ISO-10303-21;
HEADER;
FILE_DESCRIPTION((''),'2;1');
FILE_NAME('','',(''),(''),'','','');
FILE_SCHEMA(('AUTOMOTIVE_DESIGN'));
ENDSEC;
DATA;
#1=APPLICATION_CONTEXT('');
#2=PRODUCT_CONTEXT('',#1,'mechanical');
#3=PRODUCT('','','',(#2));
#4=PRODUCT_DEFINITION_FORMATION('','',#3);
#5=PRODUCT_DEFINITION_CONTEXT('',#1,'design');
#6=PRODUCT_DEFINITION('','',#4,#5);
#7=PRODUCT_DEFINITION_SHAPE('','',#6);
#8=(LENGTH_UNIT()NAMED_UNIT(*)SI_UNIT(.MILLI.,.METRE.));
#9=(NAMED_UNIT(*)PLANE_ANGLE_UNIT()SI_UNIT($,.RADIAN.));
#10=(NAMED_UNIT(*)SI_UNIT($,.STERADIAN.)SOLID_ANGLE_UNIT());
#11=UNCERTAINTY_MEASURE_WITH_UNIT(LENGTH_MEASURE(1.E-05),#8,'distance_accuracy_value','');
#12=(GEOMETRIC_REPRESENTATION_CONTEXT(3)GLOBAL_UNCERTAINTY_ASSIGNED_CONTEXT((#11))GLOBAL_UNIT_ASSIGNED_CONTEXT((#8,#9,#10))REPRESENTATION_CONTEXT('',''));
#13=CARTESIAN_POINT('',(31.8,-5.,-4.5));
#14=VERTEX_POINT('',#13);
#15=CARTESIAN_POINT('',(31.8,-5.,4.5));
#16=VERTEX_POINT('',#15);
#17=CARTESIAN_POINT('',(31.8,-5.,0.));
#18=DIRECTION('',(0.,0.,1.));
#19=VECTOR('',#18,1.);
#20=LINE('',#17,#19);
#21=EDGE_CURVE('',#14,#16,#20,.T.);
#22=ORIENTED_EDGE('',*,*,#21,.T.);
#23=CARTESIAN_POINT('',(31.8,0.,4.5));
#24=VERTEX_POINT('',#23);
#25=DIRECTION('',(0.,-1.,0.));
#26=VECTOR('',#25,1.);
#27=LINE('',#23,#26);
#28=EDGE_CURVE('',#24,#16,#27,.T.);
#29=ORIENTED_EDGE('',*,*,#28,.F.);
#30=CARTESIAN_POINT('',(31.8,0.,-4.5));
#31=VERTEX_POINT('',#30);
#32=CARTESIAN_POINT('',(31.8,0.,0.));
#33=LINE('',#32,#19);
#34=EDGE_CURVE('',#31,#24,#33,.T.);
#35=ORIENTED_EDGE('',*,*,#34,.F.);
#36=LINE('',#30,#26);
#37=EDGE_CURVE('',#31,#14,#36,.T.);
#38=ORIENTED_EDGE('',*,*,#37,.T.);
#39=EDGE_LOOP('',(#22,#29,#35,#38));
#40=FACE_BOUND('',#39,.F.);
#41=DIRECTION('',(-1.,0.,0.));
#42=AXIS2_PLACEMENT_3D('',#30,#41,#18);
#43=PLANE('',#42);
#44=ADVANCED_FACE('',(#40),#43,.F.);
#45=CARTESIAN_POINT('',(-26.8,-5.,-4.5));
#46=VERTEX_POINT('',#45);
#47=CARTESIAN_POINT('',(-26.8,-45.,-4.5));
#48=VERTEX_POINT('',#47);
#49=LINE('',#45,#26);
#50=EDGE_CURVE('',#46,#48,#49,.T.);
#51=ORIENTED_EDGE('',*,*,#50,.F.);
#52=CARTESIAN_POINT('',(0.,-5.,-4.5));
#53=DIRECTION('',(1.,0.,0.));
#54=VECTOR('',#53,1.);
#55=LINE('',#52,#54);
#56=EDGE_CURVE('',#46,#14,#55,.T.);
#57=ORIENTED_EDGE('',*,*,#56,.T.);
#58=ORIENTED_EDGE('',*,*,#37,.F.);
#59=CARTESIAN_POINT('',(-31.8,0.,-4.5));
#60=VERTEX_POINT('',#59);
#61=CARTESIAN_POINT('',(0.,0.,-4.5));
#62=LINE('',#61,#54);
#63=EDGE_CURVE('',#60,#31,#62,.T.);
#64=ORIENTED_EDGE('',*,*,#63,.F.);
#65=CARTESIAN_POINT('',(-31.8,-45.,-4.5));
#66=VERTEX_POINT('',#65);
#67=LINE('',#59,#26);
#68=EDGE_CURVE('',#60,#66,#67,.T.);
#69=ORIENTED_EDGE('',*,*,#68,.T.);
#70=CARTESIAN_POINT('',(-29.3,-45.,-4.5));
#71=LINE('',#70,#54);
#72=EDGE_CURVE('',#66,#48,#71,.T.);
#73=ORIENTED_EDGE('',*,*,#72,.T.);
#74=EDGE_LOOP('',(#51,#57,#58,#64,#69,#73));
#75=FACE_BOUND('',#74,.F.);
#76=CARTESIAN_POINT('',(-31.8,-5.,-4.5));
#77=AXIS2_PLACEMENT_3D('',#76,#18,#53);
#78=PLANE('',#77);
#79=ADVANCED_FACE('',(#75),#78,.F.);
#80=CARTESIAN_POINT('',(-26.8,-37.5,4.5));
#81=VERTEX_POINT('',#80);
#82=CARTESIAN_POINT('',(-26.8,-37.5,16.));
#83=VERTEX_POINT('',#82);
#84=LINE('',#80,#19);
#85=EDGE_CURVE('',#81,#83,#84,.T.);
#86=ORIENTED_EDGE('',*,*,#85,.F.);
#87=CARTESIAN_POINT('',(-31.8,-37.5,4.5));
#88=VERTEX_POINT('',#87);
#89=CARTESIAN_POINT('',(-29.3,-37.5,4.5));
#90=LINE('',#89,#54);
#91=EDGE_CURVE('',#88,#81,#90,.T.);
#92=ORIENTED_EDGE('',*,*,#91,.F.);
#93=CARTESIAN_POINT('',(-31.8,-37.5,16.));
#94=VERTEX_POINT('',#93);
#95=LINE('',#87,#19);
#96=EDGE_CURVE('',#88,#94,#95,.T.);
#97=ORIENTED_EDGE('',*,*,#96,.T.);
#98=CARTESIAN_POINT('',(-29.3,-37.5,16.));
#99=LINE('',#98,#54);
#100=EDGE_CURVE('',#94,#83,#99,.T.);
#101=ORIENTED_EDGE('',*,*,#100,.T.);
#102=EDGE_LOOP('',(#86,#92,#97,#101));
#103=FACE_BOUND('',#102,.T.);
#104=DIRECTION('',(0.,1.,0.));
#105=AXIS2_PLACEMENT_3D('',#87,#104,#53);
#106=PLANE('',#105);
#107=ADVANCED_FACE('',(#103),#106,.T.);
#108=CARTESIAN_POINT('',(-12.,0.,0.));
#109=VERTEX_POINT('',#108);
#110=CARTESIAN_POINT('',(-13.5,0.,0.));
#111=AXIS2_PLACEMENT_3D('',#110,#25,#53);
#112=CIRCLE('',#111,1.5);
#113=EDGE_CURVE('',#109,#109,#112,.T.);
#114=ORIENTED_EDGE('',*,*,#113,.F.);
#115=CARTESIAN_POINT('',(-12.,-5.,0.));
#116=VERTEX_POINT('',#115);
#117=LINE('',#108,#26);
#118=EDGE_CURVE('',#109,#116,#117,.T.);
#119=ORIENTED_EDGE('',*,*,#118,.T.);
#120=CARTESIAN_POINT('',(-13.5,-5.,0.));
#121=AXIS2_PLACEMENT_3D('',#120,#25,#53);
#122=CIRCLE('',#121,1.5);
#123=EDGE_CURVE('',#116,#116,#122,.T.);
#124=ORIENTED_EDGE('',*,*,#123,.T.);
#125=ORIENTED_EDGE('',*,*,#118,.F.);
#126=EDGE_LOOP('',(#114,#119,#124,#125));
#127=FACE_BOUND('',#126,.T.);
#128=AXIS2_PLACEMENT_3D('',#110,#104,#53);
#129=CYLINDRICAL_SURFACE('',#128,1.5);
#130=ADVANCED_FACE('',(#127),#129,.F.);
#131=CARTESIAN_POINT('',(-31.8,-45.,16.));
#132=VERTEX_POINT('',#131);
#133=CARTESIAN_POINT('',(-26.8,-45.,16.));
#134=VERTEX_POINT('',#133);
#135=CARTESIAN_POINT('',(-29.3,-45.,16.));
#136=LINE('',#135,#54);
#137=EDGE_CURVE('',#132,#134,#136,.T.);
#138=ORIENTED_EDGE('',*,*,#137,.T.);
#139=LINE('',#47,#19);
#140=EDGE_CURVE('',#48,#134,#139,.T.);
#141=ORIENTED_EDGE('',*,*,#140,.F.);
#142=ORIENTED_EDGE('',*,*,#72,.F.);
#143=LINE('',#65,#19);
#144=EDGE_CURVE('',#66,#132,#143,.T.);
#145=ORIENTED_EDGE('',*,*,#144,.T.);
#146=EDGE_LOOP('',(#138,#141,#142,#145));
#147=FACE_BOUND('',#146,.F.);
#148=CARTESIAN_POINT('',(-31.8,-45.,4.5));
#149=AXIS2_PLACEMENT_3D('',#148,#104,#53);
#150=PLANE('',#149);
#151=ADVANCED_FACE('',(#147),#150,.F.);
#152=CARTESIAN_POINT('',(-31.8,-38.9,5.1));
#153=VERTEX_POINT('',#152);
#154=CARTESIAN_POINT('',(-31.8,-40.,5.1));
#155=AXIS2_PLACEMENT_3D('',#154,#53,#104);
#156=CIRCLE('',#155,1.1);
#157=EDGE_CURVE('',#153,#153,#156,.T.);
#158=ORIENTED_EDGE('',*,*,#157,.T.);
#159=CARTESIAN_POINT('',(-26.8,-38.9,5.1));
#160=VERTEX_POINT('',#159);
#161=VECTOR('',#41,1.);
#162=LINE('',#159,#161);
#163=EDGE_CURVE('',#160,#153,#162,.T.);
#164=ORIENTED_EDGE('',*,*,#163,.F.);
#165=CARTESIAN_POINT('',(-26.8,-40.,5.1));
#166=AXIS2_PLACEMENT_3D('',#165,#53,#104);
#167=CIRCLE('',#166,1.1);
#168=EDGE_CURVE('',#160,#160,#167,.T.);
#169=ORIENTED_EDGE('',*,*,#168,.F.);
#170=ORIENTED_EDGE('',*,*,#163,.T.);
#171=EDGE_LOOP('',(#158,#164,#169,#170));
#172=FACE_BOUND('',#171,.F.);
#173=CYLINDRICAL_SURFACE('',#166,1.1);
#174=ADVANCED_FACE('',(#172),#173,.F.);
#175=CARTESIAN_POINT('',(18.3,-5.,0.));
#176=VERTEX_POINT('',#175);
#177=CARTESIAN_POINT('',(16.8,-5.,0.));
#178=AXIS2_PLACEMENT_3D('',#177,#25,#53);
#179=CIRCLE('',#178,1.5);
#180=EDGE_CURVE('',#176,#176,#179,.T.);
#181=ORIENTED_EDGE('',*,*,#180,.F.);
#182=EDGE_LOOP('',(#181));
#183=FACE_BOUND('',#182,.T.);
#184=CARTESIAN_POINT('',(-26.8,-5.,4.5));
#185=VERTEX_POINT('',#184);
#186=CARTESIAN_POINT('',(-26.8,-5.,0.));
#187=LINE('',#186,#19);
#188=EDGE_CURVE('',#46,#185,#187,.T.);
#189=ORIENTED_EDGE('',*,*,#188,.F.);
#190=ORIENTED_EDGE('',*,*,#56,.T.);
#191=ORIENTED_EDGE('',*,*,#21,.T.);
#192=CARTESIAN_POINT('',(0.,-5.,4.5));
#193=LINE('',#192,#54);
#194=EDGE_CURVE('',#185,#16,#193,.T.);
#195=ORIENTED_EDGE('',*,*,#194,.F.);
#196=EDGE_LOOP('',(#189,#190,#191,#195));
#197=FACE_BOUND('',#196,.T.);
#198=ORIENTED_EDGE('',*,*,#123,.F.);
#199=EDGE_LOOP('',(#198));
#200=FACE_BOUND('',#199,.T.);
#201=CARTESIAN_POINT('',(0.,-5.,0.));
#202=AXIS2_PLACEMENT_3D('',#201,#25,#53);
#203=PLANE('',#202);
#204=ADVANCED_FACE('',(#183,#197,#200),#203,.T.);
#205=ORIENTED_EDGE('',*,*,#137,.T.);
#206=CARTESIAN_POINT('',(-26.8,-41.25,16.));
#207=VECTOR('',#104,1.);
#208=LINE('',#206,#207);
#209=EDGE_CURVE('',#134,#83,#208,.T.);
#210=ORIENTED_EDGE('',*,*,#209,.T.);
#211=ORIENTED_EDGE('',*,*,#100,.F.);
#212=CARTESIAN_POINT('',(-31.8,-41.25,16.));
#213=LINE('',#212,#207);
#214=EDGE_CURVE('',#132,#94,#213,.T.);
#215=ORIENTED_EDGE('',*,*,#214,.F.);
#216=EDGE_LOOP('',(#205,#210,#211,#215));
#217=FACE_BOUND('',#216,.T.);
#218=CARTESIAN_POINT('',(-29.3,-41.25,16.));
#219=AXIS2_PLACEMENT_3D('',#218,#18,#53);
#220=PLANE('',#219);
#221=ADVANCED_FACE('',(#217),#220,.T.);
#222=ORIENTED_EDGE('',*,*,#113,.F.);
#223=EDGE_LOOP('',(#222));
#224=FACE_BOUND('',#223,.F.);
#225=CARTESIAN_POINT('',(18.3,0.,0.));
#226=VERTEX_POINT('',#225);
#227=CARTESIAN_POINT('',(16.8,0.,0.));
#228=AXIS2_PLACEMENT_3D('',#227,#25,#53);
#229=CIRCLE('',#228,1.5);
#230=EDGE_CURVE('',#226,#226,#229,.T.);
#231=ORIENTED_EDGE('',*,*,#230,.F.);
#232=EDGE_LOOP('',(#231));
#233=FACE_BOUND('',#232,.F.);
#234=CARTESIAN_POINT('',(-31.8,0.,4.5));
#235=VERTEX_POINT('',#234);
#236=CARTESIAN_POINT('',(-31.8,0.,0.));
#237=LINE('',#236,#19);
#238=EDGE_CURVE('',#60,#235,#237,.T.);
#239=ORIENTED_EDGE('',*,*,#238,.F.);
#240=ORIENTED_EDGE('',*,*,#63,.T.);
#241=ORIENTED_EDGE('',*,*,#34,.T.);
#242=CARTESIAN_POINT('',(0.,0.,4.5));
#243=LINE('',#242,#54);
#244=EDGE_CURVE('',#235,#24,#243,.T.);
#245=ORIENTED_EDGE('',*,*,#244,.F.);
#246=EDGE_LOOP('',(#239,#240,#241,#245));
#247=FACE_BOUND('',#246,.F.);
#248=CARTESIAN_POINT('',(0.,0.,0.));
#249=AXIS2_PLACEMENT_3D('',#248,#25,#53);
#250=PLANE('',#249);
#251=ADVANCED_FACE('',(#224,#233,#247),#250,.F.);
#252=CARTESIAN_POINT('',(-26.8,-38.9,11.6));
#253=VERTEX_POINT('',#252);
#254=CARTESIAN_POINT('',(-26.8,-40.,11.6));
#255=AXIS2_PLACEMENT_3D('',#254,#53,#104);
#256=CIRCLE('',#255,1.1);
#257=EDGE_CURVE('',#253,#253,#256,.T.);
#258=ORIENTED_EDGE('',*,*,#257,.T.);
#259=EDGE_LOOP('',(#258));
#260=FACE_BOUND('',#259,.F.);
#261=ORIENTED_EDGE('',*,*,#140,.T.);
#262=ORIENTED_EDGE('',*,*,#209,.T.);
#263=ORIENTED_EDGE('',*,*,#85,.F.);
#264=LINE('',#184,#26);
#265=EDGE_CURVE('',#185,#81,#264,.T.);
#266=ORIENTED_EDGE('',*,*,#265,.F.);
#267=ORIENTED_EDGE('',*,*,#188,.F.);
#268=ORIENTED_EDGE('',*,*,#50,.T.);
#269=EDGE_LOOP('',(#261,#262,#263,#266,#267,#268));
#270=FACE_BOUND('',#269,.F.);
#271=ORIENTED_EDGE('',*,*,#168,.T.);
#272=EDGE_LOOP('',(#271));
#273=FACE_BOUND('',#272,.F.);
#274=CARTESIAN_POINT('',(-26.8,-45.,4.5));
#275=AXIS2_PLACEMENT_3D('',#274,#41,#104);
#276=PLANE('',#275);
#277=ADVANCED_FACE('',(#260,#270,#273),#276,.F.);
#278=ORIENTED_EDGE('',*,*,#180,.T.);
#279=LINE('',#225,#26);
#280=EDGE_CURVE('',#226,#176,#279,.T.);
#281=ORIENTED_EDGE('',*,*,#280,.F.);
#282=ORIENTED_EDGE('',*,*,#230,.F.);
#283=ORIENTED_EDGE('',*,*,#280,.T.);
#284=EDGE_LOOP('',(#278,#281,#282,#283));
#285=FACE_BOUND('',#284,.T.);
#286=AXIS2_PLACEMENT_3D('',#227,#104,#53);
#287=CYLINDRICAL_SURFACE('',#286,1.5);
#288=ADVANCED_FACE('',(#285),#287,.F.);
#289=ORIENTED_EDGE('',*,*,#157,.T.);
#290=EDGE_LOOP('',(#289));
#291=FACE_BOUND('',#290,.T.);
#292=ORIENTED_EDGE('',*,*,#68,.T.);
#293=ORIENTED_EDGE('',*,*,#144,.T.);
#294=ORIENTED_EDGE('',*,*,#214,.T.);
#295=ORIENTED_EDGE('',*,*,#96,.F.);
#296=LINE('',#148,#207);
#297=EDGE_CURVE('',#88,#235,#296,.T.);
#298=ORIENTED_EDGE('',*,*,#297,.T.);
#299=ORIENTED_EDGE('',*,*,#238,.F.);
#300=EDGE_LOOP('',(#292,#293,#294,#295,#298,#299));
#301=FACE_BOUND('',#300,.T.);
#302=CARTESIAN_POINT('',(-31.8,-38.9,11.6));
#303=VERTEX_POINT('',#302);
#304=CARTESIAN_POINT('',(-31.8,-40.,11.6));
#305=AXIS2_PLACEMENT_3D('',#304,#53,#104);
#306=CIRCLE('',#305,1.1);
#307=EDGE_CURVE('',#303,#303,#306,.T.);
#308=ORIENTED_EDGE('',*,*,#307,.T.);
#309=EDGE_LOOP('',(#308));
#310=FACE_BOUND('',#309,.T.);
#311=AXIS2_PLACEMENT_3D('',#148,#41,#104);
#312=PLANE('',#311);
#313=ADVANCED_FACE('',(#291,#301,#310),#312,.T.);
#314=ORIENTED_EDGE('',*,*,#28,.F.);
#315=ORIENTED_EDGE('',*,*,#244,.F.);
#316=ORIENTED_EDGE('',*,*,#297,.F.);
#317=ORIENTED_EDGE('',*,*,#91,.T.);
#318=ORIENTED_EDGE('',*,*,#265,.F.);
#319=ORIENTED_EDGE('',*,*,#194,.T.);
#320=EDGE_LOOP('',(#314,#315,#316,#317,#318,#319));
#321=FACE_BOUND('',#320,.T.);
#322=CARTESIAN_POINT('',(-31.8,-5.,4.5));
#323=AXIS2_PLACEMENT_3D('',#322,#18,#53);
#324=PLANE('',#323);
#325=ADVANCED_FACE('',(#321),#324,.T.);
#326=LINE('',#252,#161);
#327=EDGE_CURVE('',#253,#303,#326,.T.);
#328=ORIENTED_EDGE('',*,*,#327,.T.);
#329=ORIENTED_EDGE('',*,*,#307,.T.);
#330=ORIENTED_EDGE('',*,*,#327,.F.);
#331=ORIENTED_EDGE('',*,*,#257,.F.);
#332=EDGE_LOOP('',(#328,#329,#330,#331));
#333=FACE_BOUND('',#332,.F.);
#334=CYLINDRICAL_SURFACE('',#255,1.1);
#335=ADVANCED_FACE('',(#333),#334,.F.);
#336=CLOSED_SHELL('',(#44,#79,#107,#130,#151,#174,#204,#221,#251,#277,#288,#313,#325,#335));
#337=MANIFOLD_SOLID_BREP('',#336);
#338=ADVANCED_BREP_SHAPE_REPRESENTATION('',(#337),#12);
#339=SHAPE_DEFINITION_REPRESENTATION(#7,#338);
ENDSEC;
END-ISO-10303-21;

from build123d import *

# Parameters (mm, degrees)
F0_W     = 63.6
F0_H     = 9
F0_R     = 1.5
F1_DEPTH = 5
F2_W     = 5
F2_H     = 9
F3_DEPTH = 40
F4_W     = 5
F4_H     = 7.5
F5_DEPTH = 11.5
F6_R     = 1.1
F7_DEPTH = 5.001


with BuildPart() as f1:
    # F0 (on Front) → F1 (new body)
    with BuildSketch(Plane.XZ):
        Rectangle(F0_W, F0_H)
        with Locations((-13.5, 0)):
            Circle(F0_R, mode=Mode.SUBTRACT)
        with Locations((16.8, 0)):
            Circle(F0_R, mode=Mode.SUBTRACT)
    extrude(amount=F1_DEPTH)

    # F2 (on face) → F3 (join)
    with BuildSketch(Plane.XZ.offset(5)):
        with Locations((-29.3, 0)):
            Rectangle(F2_W, F2_H)
    extrude(amount=F3_DEPTH)

    # F4 (on face) → F5 (join)
    with BuildSketch(Plane.XY.offset(4.5)):
        with Locations((-29.3, -41.25)):
            Rectangle(F4_W, F4_H)
    extrude(amount=F5_DEPTH)

    # F6 (on face) → F7 (cut, through all)
    with BuildSketch(Plane.YZ.offset(-26.8)):
        with Locations((-40, 5.1)):
            Circle(F6_R)
        with Locations((-40, 11.6)):
            Circle(F6_R)
    extrude(amount=-F7_DEPTH, mode=Mode.SUBTRACT)


solid = f1.part
